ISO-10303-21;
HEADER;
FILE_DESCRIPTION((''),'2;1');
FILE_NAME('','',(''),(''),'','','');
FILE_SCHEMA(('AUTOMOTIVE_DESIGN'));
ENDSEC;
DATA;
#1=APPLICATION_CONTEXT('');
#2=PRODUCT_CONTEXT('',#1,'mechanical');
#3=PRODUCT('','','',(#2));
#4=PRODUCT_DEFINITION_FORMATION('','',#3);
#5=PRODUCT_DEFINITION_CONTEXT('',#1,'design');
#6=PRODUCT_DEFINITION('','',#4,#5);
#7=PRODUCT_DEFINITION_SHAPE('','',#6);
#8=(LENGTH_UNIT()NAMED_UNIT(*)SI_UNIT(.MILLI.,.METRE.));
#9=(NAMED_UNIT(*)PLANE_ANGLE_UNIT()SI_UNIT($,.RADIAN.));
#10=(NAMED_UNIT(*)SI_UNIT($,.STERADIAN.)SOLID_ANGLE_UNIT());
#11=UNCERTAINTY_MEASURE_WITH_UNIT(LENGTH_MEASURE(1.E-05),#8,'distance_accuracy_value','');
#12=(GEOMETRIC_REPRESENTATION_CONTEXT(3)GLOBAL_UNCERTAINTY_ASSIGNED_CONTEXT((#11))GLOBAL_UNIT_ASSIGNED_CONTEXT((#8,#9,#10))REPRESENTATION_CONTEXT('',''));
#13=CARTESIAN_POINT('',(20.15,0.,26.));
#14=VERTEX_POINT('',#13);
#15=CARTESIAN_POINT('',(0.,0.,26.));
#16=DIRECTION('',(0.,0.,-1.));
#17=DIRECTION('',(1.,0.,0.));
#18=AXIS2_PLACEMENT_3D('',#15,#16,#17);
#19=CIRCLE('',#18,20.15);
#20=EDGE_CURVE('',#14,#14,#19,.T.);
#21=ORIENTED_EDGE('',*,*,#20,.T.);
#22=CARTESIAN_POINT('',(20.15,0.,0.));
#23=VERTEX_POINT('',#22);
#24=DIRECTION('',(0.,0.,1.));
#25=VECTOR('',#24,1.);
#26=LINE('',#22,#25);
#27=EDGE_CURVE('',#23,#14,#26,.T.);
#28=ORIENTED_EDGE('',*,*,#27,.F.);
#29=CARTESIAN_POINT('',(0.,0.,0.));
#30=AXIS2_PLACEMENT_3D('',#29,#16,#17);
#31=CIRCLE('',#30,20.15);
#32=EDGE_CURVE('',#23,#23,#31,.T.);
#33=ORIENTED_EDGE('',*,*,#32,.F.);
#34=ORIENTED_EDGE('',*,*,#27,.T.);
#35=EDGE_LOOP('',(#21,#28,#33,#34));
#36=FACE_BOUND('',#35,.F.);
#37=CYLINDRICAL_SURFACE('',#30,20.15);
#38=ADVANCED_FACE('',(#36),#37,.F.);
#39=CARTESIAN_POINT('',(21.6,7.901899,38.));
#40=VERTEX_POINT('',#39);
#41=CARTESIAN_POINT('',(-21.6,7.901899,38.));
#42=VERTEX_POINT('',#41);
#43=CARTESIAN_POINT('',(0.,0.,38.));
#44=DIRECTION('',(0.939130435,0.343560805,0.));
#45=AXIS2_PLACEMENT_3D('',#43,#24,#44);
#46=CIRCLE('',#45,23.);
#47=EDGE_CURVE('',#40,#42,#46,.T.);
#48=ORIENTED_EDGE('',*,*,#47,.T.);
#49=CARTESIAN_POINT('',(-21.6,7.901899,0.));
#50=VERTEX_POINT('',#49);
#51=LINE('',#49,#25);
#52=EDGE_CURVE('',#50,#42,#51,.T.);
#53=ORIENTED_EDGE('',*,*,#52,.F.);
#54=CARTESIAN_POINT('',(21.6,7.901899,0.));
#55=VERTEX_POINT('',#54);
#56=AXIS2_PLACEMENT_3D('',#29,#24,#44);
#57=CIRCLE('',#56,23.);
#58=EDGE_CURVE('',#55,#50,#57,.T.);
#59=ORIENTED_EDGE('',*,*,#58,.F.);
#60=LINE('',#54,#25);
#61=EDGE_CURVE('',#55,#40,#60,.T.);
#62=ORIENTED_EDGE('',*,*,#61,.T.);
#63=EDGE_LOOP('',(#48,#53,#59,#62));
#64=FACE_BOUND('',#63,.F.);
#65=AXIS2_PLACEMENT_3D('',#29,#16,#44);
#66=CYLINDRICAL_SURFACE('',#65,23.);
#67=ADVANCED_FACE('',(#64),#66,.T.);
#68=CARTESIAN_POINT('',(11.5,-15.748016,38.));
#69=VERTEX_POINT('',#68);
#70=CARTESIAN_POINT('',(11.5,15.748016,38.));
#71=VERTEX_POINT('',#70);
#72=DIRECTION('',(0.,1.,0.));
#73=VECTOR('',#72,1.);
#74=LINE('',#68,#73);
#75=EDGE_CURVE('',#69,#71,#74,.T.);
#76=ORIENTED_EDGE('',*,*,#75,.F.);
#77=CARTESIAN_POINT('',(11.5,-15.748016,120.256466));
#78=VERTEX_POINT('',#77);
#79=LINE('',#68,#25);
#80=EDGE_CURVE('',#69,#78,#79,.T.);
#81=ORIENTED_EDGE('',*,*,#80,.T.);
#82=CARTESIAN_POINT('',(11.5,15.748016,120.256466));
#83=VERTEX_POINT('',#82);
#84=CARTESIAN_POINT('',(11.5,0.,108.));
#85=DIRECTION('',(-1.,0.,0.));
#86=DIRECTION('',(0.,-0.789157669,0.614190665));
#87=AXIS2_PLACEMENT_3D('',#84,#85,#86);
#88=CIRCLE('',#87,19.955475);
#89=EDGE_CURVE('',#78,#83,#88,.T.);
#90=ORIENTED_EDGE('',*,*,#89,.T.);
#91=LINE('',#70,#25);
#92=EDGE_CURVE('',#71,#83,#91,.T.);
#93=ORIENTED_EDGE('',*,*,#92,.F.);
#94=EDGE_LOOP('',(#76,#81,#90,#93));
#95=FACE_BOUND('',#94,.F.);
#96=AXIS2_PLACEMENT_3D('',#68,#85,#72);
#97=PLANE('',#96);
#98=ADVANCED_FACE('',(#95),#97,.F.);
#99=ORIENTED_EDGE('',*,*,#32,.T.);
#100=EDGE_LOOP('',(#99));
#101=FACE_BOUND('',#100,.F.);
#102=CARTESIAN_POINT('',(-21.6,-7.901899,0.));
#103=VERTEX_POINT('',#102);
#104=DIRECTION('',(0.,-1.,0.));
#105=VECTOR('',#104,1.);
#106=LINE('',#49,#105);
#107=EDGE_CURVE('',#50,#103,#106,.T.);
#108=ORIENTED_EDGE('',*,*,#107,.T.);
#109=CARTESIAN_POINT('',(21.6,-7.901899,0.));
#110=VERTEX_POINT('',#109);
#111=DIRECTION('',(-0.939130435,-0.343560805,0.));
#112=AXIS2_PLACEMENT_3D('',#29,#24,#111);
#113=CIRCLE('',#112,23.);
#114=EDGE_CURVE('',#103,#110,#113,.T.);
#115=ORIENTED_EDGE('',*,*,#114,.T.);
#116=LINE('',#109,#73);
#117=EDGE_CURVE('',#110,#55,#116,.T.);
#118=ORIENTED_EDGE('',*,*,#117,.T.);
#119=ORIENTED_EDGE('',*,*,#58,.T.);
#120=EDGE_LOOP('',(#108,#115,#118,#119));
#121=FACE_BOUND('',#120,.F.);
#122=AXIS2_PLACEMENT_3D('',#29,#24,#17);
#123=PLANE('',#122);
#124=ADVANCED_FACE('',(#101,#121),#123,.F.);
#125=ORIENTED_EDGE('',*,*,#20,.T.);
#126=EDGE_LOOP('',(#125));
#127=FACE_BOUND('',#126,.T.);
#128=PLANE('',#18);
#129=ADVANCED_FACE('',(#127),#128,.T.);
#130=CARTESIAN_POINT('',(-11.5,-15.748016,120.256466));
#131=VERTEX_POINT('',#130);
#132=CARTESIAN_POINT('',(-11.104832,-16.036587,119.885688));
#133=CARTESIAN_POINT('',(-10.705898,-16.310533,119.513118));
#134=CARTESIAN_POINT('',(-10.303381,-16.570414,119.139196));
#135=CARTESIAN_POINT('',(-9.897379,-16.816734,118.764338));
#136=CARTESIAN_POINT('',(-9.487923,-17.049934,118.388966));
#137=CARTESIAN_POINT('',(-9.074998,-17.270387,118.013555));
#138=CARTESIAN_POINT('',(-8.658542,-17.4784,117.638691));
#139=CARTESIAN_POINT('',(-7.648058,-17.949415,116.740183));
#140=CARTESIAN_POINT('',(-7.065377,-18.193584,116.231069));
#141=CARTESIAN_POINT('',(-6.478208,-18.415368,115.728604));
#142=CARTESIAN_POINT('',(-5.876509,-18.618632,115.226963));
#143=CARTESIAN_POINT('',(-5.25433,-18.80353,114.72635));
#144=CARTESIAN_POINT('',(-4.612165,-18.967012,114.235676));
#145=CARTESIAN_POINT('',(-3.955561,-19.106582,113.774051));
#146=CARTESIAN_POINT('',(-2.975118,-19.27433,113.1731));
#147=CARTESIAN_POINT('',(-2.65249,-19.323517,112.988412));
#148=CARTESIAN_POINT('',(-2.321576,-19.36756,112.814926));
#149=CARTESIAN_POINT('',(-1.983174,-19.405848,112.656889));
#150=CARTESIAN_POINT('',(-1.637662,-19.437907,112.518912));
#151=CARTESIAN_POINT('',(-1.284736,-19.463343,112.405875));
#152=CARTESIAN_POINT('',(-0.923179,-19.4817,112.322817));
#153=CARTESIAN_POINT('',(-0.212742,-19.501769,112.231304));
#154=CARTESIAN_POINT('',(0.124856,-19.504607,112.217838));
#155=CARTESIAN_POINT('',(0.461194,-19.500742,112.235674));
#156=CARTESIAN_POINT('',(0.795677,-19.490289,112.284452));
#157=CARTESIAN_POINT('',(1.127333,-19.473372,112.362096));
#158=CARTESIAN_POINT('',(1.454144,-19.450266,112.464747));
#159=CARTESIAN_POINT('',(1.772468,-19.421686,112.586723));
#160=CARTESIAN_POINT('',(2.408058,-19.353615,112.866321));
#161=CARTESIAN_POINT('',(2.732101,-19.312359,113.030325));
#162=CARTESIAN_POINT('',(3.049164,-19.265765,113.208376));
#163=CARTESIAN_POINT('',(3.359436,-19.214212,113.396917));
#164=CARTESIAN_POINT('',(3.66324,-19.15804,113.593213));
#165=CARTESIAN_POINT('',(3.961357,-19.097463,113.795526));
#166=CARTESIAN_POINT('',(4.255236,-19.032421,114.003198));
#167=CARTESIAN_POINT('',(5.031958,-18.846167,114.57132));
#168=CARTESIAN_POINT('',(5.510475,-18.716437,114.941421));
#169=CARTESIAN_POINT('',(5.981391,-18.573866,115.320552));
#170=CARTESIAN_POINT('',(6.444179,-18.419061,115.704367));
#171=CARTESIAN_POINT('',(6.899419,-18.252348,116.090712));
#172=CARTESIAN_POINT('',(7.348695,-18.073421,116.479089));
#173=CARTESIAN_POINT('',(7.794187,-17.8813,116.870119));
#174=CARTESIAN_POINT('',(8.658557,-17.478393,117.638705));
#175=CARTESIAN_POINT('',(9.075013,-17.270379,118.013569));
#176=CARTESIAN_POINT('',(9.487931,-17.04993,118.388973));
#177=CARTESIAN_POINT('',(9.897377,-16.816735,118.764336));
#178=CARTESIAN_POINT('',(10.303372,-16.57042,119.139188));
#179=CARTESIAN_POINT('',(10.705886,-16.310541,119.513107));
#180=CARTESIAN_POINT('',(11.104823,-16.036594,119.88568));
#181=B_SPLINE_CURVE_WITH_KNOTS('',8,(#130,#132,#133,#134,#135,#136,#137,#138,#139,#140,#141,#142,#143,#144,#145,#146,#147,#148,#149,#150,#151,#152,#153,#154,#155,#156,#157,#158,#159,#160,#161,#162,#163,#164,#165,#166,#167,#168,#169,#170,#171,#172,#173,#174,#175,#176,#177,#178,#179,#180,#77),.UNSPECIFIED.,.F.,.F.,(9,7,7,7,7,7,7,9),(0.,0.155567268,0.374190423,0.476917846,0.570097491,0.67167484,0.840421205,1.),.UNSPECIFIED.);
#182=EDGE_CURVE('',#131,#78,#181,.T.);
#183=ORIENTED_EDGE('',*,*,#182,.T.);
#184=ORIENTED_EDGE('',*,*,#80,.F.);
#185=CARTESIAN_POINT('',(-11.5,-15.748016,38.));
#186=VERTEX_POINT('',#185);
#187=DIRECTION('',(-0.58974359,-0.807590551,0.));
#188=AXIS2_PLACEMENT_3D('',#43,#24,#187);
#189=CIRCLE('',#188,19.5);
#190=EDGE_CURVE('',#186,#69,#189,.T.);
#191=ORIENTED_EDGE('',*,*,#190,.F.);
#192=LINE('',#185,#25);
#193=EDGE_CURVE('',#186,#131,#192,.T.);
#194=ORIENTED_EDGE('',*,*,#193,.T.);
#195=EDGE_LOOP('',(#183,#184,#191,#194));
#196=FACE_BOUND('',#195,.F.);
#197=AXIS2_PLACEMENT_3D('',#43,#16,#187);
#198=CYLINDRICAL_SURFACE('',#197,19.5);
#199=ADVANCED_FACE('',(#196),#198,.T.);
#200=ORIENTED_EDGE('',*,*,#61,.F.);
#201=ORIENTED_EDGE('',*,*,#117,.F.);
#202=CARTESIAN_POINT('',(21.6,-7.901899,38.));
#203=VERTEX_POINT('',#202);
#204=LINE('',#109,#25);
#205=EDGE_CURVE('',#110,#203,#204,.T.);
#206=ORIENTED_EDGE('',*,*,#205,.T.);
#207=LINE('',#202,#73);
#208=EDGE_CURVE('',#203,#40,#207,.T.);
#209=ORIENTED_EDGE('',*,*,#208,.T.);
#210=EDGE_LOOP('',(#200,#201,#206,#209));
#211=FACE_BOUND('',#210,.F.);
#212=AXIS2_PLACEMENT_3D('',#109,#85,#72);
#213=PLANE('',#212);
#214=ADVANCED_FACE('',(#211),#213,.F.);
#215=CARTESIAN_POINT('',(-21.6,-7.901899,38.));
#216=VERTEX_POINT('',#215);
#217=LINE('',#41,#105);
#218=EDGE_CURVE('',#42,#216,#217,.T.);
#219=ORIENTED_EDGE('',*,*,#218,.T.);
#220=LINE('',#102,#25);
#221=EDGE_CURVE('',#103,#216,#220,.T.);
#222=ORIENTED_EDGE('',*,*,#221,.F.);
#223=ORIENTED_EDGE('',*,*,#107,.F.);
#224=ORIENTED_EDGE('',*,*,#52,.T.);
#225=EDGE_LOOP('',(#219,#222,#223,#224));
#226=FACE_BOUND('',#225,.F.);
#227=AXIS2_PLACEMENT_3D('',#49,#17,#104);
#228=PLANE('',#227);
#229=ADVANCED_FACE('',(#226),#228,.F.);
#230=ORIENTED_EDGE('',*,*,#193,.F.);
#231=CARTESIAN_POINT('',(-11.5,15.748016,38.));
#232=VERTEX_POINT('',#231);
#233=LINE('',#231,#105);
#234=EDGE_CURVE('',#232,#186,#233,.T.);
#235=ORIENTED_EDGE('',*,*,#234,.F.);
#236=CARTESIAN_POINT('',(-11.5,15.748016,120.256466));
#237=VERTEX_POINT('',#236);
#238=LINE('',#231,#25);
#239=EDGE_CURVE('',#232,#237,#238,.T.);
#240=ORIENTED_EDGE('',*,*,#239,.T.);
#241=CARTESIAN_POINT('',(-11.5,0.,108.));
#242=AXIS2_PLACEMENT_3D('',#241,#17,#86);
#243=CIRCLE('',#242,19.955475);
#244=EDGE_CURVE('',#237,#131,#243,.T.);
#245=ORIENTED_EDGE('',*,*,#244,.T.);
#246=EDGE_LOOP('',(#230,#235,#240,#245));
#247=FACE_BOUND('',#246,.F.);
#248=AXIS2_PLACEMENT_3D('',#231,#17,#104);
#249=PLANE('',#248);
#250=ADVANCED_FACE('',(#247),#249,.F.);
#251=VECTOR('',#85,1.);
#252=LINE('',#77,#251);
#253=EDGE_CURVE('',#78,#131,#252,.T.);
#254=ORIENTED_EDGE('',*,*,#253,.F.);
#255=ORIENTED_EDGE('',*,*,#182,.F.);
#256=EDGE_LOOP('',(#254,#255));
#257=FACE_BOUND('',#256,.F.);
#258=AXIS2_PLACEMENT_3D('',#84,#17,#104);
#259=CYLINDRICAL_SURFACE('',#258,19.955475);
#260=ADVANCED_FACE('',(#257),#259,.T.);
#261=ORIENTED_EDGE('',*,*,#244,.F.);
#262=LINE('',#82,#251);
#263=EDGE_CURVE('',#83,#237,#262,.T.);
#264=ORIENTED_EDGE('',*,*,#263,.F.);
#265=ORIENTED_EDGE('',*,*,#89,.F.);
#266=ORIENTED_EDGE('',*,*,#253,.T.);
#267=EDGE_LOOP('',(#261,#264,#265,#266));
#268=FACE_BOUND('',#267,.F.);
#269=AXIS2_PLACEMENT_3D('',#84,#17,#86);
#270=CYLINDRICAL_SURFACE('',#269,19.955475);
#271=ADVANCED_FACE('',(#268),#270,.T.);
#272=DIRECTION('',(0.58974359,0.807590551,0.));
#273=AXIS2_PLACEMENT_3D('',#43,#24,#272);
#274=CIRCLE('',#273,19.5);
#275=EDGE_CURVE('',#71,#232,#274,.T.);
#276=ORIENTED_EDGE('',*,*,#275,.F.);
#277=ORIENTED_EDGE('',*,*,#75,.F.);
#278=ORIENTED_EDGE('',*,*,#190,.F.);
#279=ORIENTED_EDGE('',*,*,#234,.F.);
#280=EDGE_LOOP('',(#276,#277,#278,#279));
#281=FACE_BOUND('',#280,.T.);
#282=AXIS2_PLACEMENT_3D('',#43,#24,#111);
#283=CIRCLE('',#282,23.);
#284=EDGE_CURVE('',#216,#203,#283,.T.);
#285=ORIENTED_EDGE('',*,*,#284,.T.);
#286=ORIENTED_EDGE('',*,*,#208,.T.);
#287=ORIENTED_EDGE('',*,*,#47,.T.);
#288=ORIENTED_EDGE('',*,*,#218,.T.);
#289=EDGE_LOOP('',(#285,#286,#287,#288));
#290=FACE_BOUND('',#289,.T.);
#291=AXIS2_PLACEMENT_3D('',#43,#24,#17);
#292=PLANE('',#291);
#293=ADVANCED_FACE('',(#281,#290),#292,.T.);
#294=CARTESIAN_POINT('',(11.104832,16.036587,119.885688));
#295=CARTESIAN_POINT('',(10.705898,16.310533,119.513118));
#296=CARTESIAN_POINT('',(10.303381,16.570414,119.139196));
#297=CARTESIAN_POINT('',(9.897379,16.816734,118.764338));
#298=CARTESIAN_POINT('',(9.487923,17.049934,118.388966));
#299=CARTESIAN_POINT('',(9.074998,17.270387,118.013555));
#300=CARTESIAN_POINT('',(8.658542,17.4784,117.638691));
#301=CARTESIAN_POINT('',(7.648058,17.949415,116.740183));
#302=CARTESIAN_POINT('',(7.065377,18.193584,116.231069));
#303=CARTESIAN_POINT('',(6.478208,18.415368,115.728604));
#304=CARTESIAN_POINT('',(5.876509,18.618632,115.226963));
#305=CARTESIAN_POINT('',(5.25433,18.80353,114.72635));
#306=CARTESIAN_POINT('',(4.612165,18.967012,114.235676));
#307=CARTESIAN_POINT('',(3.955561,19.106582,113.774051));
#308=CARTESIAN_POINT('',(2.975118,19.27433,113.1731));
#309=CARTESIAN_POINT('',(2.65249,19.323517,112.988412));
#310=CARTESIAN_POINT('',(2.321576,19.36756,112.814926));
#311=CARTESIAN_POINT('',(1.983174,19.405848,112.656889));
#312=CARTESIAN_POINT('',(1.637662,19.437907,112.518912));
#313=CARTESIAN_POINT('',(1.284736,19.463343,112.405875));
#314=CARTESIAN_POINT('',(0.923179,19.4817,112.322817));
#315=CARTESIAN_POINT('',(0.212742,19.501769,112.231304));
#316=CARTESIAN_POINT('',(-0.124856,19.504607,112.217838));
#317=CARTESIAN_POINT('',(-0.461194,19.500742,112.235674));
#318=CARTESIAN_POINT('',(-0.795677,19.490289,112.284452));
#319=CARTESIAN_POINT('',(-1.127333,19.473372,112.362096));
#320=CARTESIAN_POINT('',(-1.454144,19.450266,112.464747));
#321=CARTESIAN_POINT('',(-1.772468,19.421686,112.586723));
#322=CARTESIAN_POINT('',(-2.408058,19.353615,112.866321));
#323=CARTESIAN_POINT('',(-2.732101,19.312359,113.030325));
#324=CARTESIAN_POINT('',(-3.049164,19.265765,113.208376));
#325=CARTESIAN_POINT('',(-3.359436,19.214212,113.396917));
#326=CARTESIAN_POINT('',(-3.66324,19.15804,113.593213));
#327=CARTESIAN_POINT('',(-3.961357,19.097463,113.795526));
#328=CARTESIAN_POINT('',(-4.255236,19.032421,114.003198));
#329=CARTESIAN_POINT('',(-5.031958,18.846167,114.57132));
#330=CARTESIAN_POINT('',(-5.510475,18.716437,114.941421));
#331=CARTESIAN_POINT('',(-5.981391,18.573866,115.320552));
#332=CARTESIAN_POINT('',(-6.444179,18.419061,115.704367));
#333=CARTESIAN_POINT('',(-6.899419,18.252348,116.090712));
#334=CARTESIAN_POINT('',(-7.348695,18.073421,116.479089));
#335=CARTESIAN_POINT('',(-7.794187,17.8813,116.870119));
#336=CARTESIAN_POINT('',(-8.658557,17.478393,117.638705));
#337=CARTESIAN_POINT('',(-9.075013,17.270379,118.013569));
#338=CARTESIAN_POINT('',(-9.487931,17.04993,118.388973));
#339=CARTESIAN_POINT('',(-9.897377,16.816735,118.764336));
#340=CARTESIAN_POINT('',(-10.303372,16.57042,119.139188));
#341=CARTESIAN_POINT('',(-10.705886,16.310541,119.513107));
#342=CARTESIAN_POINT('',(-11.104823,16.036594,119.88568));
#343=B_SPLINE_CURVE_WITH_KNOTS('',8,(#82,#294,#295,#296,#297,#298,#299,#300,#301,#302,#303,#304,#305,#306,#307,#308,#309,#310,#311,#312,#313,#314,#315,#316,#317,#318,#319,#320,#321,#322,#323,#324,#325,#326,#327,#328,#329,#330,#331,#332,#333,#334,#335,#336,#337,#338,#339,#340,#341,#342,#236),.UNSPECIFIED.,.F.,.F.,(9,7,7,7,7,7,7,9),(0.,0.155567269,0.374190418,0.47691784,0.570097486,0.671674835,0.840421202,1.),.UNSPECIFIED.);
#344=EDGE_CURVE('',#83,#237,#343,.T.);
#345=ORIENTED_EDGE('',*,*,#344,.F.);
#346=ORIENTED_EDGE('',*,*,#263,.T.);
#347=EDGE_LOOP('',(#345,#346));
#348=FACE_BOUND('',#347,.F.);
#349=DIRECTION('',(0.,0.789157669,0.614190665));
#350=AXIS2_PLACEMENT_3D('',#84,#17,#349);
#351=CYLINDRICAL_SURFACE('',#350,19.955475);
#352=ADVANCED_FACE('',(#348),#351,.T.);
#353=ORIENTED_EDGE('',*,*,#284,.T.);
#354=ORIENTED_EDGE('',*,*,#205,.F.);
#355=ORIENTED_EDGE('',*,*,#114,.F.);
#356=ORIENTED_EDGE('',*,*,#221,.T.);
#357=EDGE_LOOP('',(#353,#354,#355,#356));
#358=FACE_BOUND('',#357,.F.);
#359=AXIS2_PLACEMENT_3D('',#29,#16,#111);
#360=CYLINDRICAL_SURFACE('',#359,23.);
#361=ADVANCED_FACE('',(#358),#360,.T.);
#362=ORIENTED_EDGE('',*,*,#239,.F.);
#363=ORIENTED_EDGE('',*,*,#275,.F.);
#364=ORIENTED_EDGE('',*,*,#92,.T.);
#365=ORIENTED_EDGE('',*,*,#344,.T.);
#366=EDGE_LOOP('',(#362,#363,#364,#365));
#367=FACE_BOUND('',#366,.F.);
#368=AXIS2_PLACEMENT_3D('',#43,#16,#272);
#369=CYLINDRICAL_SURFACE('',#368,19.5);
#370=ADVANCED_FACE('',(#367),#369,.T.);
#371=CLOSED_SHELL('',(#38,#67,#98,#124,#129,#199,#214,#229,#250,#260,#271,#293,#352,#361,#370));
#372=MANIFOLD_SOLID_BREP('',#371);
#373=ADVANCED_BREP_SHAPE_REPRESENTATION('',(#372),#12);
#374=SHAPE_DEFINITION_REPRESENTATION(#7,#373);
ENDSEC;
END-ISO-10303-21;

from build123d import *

# Parameters (mm, degrees)
F1_DEPTH = 38
F3_DEPTH = 93
F5_DEPTH = 35
F6_R     = 20.15
F7_DEPTH = 26


with BuildPart() as f1:
    # F0 (on Top) → F1 (new body)
    with BuildSketch(Plane.XY):
        with BuildLine():
            Line((21.6, -7.9018985061), (21.6, 7.9018985061))
            ThreePointArc((21.6, 7.9018985061), (0, 23), (-21.6, 7.9018985061))
            Line((-21.6, 7.9018985061), (-21.6, -7.9018985061))
            ThreePointArc((-21.6, -7.9018985061), (0, -23), (21.6, -7.9018985061))
        make_face()
    extrude(amount=F1_DEPTH)

    # F2 (on face) → F3 (join)
    with BuildSketch(Plane.XY.offset(38)):
        with BuildLine():
            Line((11.5, 0), (11.5, 15.748015748))
            ThreePointArc((11.5, 15.748015748), (0, 19.5), (-11.5, 15.748015748))
            Line((-11.5, 15.748015748), (-11.5, -15.748015748))
            ThreePointArc((-11.5, -15.748015748), (0, -19.5), (11.5, -15.748015748))
            Line((11.5, -15.748015748), (11.5, 0))
        make_face()
    extrude(amount=F3_DEPTH)

    # F4 (on face) → F5 (cut)
    with BuildSketch(Plane.YZ.offset(11.5)):
        with BuildLine():
            ThreePointArc((15.748015748, 120.2564661625), (18.8743223664, 114.4792683229), (19.9554745068, 108))
            Line((19.9554745068, 108), (37.2544378042, 135.0286304951))
            Line((37.2544378042, 135.0286304951), (-38.2512100041, 135.0286304951))
            Line((-38.2512100041, 135.0286304951), (-19.9554745068, 108))
            ThreePointArc((-19.9554745068, 108), (-18.8743223664, 114.4792683229), (-15.748015748, 120.2564661625))
            Line((-15.748015748, 120.2564661625), (-15.748015748, 131))
            Line((-15.748015748, 131), (15.748015748, 131))
            Line((15.748015748, 131), (15.748015748, 120.2564661625))
        make_face()
        with BuildLine():
            ThreePointArc((-15.748015748, 120.2564661625), (0, 127.9554745068), (15.748015748, 120.2564661625))
            Line((15.748015748, 120.2564661625), (15.748015748, 131))
            Line((15.748015748, 131), (-15.748015748, 131))
            Line((-15.748015748, 131), (-15.748015748, 120.2564661625))
        make_face()
    extrude(amount=-F5_DEPTH, mode=Mode.SUBTRACT)

    # F6 (on face) → F7 (cut)
    with BuildSketch(Plane(origin=(0, 0, 0), x_dir=(1, 0, 0), z_dir=(0, 0, -1))):
        Circle(F6_R)
    extrude(amount=-F7_DEPTH, mode=Mode.SUBTRACT)


solid = f1.part
